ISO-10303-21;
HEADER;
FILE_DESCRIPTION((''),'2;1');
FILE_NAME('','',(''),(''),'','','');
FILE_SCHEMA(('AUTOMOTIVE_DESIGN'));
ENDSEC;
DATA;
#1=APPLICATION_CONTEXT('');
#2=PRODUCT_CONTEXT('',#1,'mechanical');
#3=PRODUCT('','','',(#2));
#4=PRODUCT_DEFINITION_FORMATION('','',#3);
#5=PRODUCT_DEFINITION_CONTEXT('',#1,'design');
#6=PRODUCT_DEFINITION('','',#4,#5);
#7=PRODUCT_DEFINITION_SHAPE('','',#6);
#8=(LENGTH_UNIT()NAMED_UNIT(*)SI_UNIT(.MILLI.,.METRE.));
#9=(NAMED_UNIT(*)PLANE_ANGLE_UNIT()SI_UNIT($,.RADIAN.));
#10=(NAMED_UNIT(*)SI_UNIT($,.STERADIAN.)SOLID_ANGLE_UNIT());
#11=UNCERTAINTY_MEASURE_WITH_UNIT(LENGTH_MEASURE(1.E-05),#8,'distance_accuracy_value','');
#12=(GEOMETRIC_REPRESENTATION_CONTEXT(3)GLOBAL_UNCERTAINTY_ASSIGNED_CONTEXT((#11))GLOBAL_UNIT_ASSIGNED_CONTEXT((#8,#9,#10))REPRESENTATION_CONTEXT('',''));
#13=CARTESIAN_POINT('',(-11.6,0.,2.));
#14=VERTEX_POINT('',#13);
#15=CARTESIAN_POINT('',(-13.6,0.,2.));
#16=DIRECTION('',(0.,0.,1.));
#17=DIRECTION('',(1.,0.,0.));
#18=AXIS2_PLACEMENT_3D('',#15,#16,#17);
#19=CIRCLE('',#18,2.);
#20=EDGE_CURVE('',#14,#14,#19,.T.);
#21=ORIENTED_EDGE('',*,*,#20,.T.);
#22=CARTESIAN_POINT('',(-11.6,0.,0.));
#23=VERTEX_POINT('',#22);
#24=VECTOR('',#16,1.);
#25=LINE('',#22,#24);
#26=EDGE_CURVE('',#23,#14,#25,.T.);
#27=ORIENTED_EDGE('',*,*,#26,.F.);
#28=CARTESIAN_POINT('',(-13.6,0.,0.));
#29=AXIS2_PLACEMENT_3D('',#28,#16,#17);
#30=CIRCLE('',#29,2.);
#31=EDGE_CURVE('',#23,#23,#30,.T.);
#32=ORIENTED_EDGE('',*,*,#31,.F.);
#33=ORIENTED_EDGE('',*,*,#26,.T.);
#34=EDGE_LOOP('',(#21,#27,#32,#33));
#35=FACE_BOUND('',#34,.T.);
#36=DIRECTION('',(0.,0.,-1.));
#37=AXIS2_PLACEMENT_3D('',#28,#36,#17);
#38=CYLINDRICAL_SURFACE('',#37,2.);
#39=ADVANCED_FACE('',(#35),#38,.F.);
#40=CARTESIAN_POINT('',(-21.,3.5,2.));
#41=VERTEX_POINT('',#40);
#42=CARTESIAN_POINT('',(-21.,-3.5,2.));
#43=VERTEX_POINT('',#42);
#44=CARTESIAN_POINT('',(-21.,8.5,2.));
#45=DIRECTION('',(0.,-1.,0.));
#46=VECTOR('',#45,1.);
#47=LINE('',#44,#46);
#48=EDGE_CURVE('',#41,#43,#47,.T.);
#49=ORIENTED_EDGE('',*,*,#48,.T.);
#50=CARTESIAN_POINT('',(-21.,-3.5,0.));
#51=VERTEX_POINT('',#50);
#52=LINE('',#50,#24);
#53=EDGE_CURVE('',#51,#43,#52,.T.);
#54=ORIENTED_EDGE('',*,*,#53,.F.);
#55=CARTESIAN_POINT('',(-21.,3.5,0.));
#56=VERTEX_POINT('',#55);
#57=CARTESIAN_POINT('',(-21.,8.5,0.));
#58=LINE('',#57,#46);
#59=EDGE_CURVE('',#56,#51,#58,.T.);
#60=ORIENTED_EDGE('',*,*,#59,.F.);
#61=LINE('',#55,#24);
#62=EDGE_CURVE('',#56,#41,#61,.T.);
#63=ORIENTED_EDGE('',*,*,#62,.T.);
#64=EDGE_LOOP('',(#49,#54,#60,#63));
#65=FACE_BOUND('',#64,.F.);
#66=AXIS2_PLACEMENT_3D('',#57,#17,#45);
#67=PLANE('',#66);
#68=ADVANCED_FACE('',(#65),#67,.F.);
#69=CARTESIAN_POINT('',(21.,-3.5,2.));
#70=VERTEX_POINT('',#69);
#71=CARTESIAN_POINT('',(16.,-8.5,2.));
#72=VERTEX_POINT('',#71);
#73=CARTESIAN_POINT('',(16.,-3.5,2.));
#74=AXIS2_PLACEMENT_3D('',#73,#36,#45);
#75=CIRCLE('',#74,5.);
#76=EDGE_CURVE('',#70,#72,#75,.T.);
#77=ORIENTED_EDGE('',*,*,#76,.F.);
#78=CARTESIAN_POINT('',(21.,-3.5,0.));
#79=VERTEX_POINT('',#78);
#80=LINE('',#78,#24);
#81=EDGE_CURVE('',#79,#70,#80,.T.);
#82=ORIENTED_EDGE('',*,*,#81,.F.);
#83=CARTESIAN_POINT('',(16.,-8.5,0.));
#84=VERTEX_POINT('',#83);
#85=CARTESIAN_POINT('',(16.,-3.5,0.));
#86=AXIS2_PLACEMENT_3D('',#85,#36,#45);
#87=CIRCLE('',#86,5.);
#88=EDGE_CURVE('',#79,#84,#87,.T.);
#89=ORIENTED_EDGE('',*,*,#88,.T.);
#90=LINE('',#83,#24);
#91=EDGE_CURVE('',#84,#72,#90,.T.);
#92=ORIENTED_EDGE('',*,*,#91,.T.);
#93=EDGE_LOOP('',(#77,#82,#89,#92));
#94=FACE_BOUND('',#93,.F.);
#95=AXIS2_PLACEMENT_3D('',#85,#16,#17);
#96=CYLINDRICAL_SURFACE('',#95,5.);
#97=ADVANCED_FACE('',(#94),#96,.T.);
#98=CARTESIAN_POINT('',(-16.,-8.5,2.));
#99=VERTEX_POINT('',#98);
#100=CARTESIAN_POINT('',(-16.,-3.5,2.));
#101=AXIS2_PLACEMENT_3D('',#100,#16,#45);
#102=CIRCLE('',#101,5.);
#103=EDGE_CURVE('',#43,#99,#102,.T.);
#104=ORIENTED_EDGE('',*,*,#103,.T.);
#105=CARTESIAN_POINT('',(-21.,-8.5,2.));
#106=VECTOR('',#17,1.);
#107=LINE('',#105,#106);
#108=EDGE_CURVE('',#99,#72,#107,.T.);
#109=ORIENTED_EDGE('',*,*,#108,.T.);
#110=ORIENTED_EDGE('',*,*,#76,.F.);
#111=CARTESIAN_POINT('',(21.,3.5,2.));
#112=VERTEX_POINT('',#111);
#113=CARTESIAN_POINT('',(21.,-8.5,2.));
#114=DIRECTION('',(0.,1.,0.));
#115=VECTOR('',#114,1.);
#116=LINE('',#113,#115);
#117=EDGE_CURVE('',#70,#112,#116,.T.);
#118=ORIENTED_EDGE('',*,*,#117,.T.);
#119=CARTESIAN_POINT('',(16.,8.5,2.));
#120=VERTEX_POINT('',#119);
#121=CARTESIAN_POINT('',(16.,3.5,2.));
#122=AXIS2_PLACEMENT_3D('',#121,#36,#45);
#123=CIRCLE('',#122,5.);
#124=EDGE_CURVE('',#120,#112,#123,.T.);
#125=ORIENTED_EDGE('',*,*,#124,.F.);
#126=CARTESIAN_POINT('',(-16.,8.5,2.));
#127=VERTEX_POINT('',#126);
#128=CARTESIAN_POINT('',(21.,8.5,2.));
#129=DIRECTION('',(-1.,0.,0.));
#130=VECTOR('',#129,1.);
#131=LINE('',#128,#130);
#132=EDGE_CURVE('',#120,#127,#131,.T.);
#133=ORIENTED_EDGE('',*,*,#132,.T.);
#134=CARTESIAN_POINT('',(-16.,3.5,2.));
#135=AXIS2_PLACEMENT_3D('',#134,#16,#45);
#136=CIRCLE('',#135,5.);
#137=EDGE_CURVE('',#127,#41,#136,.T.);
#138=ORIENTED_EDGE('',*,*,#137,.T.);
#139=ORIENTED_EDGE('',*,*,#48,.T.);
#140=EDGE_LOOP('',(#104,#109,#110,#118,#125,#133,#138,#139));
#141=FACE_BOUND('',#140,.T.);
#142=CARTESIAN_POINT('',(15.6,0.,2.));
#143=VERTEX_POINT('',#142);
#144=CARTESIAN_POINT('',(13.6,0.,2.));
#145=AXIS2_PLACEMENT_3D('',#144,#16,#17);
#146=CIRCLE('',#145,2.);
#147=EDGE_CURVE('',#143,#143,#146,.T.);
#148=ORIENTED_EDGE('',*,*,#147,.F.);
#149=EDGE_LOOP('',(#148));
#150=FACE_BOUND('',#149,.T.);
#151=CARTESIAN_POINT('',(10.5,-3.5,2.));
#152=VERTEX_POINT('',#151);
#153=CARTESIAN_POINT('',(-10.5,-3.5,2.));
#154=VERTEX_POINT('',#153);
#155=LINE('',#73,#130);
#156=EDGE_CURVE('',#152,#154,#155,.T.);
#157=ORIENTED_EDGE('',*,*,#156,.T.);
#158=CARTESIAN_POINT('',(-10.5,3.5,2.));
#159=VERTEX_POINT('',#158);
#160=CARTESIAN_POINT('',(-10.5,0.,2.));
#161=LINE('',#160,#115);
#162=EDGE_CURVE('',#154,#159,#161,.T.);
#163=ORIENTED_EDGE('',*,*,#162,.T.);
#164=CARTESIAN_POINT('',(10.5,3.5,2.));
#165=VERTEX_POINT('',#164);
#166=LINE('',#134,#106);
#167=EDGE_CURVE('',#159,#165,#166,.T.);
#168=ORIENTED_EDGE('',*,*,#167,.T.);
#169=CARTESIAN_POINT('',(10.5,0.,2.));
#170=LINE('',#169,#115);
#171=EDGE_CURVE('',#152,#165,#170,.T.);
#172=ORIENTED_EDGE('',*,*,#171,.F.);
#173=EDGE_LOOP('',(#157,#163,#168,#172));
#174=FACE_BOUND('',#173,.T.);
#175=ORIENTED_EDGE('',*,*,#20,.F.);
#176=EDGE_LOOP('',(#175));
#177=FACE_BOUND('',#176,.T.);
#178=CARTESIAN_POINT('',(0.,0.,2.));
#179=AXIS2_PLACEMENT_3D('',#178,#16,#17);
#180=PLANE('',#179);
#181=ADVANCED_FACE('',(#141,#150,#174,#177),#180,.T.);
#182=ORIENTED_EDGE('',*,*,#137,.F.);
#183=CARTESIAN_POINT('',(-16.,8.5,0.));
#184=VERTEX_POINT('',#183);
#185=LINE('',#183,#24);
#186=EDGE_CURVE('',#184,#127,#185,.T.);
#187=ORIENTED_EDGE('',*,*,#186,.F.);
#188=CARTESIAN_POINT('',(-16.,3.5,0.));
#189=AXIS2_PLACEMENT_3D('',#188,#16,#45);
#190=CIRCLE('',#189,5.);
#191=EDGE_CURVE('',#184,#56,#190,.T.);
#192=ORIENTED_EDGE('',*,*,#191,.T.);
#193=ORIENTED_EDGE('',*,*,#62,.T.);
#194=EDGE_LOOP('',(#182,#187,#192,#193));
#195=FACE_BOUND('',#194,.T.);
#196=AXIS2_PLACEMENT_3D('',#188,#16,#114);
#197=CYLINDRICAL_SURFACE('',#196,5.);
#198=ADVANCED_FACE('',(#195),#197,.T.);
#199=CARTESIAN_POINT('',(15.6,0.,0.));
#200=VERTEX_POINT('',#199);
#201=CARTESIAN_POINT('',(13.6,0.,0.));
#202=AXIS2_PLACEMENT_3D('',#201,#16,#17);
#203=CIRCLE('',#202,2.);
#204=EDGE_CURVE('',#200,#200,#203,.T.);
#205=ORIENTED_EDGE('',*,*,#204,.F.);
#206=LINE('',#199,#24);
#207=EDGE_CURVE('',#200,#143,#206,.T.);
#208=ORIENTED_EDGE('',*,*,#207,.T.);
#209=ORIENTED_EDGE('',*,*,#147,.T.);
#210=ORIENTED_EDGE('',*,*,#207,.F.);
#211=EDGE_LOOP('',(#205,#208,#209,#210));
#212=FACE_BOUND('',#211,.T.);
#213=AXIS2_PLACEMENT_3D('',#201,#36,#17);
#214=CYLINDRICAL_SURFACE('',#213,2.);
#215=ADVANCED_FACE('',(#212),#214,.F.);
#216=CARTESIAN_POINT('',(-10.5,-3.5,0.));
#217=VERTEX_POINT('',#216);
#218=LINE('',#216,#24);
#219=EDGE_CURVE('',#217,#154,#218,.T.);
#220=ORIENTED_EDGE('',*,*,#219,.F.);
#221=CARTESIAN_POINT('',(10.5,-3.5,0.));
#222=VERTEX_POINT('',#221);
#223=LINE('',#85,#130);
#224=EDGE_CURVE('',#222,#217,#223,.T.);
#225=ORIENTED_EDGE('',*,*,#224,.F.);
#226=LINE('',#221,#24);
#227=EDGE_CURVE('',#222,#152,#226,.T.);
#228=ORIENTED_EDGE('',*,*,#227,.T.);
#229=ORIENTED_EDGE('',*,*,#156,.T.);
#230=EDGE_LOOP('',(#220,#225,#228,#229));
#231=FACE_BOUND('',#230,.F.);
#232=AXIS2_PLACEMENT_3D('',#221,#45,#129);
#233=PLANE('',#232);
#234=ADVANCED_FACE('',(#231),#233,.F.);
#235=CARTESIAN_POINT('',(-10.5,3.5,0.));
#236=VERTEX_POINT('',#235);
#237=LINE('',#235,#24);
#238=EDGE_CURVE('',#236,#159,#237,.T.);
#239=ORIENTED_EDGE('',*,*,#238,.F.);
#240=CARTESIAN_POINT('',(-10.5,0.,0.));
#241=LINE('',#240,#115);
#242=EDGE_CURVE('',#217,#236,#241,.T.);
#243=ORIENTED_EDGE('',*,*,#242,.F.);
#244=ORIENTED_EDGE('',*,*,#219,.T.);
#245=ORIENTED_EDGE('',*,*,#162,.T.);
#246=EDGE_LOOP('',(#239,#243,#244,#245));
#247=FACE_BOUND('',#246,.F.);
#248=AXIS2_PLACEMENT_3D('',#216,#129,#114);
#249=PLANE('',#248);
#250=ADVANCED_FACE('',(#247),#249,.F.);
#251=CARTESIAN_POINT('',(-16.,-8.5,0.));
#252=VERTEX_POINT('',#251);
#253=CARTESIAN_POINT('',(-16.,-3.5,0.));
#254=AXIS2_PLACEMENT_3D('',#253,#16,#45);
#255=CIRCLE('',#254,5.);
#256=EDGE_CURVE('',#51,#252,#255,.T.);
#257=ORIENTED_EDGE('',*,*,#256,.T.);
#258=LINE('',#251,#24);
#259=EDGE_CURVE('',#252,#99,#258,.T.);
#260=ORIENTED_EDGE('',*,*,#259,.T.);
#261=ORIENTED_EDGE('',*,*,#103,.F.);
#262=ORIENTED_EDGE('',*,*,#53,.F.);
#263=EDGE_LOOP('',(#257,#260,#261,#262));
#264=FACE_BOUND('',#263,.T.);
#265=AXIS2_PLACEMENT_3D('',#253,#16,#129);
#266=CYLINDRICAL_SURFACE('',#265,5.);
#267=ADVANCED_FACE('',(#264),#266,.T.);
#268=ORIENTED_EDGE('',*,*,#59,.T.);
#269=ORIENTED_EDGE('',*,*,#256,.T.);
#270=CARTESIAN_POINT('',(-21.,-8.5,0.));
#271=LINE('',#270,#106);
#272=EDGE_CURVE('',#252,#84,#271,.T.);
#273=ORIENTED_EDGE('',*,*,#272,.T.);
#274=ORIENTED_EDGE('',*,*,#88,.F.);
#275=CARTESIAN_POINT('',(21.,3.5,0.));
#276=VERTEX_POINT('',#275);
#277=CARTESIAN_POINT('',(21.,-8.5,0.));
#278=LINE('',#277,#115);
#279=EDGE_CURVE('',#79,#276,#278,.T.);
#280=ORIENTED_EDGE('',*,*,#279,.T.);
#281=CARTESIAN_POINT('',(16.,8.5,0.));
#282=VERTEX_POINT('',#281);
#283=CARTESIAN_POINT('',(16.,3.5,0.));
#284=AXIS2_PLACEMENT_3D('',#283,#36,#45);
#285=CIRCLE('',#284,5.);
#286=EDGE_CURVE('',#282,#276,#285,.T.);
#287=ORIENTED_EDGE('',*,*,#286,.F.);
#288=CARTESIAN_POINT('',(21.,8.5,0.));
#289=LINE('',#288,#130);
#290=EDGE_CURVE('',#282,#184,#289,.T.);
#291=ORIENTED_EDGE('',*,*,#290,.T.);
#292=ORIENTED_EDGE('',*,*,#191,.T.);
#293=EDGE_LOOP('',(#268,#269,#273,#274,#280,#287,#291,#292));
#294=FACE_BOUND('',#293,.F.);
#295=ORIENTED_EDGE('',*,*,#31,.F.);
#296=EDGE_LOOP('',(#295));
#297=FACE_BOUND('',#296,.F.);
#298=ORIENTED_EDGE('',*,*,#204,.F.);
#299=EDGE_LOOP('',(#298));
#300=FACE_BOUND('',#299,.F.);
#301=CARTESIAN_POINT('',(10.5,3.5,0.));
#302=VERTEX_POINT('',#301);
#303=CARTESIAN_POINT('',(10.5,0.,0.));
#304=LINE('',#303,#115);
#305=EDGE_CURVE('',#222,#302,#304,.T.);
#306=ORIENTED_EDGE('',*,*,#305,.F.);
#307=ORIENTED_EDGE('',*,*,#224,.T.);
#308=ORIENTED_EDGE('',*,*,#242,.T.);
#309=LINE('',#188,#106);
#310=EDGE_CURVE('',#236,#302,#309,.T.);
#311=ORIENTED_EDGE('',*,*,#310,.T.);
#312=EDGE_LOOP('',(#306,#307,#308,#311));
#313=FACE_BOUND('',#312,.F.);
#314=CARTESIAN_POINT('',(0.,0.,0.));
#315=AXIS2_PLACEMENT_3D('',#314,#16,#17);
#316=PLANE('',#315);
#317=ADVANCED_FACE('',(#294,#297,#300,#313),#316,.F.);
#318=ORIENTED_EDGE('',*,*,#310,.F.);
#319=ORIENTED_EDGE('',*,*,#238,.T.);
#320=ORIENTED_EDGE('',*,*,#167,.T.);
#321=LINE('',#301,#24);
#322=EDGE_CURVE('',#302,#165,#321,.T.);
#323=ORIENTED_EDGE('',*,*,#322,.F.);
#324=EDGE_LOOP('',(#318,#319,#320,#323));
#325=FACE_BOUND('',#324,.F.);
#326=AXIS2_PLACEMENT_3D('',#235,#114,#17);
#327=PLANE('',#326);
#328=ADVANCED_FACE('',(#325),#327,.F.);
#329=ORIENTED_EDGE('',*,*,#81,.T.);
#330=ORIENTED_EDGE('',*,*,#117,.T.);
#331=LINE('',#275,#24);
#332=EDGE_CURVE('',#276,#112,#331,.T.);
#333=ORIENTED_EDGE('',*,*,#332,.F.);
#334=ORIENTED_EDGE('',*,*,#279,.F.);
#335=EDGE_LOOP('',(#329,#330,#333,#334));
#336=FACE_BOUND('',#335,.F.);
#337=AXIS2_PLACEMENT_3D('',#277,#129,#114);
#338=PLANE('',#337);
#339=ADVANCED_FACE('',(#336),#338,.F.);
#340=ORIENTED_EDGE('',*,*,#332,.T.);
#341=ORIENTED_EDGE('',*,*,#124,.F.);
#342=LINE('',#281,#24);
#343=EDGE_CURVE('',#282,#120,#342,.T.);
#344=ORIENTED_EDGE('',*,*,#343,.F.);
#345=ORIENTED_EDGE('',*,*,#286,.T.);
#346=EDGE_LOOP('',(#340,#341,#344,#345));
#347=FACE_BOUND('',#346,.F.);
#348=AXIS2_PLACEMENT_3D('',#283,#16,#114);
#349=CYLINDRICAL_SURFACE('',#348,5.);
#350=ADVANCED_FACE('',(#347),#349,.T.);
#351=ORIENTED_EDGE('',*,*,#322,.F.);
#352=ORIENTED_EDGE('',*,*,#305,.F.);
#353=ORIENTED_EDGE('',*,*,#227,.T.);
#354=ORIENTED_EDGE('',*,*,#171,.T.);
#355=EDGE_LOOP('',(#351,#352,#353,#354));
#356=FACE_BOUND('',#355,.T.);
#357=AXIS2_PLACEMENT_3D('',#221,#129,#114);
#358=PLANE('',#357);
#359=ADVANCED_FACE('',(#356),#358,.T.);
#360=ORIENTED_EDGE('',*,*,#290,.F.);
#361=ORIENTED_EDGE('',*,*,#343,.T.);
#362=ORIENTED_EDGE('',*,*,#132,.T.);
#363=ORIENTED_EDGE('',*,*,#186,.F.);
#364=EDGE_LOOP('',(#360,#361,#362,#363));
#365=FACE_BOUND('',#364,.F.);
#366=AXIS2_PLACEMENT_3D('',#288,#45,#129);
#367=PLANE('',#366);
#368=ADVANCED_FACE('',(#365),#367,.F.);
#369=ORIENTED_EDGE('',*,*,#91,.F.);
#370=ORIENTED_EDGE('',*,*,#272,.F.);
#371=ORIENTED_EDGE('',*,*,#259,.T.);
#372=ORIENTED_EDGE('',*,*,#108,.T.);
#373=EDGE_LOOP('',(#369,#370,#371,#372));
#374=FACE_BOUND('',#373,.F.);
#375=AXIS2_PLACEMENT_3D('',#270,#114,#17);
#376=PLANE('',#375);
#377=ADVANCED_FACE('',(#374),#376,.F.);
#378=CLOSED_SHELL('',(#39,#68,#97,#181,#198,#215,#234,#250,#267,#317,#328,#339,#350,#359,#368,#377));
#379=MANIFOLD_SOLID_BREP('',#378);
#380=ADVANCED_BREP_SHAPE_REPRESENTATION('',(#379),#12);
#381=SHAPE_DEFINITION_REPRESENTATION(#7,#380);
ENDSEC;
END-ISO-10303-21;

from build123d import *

# Parameters (mm, degrees)
F0_W     = 5.5
F0_H     = 7
F0_R     = 2
F1_DEPTH = 2
F2_R     = 5


with BuildPart() as f1:
    # F0 (on Top) → F1 (new body)
    with BuildSketch(Plane.XY):
        Polygon((21, 8.5), (10.5, 8.5), (-10.5, 8.5), (-21, 8.5), (-21, -8.5), (-10.5, -8.5), (10.5, -8.5), (21, -8.5), align=None)
        Polygon((16, -3.5), (10.5, -3.5), (-10.5, -3.5), (-16, -3.5), (-16, 3.5), (-10.5, 3.5), (10.5, 3.5), (16, 3.5), align=None, mode=Mode.SUBTRACT)
        with Locations((-13.25, 0)):
            Rectangle(F0_W, F0_H)
        with Locations((-13.6, 0)):
            Circle(F0_R, mode=Mode.SUBTRACT)
        with Locations((13.25, 0)):
            Rectangle(F0_W, F0_H)
        with Locations((13.6, 0)):
            Circle(F0_R, mode=Mode.SUBTRACT)
    extrude(amount=F1_DEPTH)

    # F2
    f2_edges = [f1.edges().sort_by_distance(p)[0] for p in [
        (-21, 8.5, 1),
        (-21, -8.5, 1),
        (21, -8.5, 1),
        (21, 8.5, 1),
    ]]
    fillet(f2_edges, radius=F2_R)


solid = f1.part
